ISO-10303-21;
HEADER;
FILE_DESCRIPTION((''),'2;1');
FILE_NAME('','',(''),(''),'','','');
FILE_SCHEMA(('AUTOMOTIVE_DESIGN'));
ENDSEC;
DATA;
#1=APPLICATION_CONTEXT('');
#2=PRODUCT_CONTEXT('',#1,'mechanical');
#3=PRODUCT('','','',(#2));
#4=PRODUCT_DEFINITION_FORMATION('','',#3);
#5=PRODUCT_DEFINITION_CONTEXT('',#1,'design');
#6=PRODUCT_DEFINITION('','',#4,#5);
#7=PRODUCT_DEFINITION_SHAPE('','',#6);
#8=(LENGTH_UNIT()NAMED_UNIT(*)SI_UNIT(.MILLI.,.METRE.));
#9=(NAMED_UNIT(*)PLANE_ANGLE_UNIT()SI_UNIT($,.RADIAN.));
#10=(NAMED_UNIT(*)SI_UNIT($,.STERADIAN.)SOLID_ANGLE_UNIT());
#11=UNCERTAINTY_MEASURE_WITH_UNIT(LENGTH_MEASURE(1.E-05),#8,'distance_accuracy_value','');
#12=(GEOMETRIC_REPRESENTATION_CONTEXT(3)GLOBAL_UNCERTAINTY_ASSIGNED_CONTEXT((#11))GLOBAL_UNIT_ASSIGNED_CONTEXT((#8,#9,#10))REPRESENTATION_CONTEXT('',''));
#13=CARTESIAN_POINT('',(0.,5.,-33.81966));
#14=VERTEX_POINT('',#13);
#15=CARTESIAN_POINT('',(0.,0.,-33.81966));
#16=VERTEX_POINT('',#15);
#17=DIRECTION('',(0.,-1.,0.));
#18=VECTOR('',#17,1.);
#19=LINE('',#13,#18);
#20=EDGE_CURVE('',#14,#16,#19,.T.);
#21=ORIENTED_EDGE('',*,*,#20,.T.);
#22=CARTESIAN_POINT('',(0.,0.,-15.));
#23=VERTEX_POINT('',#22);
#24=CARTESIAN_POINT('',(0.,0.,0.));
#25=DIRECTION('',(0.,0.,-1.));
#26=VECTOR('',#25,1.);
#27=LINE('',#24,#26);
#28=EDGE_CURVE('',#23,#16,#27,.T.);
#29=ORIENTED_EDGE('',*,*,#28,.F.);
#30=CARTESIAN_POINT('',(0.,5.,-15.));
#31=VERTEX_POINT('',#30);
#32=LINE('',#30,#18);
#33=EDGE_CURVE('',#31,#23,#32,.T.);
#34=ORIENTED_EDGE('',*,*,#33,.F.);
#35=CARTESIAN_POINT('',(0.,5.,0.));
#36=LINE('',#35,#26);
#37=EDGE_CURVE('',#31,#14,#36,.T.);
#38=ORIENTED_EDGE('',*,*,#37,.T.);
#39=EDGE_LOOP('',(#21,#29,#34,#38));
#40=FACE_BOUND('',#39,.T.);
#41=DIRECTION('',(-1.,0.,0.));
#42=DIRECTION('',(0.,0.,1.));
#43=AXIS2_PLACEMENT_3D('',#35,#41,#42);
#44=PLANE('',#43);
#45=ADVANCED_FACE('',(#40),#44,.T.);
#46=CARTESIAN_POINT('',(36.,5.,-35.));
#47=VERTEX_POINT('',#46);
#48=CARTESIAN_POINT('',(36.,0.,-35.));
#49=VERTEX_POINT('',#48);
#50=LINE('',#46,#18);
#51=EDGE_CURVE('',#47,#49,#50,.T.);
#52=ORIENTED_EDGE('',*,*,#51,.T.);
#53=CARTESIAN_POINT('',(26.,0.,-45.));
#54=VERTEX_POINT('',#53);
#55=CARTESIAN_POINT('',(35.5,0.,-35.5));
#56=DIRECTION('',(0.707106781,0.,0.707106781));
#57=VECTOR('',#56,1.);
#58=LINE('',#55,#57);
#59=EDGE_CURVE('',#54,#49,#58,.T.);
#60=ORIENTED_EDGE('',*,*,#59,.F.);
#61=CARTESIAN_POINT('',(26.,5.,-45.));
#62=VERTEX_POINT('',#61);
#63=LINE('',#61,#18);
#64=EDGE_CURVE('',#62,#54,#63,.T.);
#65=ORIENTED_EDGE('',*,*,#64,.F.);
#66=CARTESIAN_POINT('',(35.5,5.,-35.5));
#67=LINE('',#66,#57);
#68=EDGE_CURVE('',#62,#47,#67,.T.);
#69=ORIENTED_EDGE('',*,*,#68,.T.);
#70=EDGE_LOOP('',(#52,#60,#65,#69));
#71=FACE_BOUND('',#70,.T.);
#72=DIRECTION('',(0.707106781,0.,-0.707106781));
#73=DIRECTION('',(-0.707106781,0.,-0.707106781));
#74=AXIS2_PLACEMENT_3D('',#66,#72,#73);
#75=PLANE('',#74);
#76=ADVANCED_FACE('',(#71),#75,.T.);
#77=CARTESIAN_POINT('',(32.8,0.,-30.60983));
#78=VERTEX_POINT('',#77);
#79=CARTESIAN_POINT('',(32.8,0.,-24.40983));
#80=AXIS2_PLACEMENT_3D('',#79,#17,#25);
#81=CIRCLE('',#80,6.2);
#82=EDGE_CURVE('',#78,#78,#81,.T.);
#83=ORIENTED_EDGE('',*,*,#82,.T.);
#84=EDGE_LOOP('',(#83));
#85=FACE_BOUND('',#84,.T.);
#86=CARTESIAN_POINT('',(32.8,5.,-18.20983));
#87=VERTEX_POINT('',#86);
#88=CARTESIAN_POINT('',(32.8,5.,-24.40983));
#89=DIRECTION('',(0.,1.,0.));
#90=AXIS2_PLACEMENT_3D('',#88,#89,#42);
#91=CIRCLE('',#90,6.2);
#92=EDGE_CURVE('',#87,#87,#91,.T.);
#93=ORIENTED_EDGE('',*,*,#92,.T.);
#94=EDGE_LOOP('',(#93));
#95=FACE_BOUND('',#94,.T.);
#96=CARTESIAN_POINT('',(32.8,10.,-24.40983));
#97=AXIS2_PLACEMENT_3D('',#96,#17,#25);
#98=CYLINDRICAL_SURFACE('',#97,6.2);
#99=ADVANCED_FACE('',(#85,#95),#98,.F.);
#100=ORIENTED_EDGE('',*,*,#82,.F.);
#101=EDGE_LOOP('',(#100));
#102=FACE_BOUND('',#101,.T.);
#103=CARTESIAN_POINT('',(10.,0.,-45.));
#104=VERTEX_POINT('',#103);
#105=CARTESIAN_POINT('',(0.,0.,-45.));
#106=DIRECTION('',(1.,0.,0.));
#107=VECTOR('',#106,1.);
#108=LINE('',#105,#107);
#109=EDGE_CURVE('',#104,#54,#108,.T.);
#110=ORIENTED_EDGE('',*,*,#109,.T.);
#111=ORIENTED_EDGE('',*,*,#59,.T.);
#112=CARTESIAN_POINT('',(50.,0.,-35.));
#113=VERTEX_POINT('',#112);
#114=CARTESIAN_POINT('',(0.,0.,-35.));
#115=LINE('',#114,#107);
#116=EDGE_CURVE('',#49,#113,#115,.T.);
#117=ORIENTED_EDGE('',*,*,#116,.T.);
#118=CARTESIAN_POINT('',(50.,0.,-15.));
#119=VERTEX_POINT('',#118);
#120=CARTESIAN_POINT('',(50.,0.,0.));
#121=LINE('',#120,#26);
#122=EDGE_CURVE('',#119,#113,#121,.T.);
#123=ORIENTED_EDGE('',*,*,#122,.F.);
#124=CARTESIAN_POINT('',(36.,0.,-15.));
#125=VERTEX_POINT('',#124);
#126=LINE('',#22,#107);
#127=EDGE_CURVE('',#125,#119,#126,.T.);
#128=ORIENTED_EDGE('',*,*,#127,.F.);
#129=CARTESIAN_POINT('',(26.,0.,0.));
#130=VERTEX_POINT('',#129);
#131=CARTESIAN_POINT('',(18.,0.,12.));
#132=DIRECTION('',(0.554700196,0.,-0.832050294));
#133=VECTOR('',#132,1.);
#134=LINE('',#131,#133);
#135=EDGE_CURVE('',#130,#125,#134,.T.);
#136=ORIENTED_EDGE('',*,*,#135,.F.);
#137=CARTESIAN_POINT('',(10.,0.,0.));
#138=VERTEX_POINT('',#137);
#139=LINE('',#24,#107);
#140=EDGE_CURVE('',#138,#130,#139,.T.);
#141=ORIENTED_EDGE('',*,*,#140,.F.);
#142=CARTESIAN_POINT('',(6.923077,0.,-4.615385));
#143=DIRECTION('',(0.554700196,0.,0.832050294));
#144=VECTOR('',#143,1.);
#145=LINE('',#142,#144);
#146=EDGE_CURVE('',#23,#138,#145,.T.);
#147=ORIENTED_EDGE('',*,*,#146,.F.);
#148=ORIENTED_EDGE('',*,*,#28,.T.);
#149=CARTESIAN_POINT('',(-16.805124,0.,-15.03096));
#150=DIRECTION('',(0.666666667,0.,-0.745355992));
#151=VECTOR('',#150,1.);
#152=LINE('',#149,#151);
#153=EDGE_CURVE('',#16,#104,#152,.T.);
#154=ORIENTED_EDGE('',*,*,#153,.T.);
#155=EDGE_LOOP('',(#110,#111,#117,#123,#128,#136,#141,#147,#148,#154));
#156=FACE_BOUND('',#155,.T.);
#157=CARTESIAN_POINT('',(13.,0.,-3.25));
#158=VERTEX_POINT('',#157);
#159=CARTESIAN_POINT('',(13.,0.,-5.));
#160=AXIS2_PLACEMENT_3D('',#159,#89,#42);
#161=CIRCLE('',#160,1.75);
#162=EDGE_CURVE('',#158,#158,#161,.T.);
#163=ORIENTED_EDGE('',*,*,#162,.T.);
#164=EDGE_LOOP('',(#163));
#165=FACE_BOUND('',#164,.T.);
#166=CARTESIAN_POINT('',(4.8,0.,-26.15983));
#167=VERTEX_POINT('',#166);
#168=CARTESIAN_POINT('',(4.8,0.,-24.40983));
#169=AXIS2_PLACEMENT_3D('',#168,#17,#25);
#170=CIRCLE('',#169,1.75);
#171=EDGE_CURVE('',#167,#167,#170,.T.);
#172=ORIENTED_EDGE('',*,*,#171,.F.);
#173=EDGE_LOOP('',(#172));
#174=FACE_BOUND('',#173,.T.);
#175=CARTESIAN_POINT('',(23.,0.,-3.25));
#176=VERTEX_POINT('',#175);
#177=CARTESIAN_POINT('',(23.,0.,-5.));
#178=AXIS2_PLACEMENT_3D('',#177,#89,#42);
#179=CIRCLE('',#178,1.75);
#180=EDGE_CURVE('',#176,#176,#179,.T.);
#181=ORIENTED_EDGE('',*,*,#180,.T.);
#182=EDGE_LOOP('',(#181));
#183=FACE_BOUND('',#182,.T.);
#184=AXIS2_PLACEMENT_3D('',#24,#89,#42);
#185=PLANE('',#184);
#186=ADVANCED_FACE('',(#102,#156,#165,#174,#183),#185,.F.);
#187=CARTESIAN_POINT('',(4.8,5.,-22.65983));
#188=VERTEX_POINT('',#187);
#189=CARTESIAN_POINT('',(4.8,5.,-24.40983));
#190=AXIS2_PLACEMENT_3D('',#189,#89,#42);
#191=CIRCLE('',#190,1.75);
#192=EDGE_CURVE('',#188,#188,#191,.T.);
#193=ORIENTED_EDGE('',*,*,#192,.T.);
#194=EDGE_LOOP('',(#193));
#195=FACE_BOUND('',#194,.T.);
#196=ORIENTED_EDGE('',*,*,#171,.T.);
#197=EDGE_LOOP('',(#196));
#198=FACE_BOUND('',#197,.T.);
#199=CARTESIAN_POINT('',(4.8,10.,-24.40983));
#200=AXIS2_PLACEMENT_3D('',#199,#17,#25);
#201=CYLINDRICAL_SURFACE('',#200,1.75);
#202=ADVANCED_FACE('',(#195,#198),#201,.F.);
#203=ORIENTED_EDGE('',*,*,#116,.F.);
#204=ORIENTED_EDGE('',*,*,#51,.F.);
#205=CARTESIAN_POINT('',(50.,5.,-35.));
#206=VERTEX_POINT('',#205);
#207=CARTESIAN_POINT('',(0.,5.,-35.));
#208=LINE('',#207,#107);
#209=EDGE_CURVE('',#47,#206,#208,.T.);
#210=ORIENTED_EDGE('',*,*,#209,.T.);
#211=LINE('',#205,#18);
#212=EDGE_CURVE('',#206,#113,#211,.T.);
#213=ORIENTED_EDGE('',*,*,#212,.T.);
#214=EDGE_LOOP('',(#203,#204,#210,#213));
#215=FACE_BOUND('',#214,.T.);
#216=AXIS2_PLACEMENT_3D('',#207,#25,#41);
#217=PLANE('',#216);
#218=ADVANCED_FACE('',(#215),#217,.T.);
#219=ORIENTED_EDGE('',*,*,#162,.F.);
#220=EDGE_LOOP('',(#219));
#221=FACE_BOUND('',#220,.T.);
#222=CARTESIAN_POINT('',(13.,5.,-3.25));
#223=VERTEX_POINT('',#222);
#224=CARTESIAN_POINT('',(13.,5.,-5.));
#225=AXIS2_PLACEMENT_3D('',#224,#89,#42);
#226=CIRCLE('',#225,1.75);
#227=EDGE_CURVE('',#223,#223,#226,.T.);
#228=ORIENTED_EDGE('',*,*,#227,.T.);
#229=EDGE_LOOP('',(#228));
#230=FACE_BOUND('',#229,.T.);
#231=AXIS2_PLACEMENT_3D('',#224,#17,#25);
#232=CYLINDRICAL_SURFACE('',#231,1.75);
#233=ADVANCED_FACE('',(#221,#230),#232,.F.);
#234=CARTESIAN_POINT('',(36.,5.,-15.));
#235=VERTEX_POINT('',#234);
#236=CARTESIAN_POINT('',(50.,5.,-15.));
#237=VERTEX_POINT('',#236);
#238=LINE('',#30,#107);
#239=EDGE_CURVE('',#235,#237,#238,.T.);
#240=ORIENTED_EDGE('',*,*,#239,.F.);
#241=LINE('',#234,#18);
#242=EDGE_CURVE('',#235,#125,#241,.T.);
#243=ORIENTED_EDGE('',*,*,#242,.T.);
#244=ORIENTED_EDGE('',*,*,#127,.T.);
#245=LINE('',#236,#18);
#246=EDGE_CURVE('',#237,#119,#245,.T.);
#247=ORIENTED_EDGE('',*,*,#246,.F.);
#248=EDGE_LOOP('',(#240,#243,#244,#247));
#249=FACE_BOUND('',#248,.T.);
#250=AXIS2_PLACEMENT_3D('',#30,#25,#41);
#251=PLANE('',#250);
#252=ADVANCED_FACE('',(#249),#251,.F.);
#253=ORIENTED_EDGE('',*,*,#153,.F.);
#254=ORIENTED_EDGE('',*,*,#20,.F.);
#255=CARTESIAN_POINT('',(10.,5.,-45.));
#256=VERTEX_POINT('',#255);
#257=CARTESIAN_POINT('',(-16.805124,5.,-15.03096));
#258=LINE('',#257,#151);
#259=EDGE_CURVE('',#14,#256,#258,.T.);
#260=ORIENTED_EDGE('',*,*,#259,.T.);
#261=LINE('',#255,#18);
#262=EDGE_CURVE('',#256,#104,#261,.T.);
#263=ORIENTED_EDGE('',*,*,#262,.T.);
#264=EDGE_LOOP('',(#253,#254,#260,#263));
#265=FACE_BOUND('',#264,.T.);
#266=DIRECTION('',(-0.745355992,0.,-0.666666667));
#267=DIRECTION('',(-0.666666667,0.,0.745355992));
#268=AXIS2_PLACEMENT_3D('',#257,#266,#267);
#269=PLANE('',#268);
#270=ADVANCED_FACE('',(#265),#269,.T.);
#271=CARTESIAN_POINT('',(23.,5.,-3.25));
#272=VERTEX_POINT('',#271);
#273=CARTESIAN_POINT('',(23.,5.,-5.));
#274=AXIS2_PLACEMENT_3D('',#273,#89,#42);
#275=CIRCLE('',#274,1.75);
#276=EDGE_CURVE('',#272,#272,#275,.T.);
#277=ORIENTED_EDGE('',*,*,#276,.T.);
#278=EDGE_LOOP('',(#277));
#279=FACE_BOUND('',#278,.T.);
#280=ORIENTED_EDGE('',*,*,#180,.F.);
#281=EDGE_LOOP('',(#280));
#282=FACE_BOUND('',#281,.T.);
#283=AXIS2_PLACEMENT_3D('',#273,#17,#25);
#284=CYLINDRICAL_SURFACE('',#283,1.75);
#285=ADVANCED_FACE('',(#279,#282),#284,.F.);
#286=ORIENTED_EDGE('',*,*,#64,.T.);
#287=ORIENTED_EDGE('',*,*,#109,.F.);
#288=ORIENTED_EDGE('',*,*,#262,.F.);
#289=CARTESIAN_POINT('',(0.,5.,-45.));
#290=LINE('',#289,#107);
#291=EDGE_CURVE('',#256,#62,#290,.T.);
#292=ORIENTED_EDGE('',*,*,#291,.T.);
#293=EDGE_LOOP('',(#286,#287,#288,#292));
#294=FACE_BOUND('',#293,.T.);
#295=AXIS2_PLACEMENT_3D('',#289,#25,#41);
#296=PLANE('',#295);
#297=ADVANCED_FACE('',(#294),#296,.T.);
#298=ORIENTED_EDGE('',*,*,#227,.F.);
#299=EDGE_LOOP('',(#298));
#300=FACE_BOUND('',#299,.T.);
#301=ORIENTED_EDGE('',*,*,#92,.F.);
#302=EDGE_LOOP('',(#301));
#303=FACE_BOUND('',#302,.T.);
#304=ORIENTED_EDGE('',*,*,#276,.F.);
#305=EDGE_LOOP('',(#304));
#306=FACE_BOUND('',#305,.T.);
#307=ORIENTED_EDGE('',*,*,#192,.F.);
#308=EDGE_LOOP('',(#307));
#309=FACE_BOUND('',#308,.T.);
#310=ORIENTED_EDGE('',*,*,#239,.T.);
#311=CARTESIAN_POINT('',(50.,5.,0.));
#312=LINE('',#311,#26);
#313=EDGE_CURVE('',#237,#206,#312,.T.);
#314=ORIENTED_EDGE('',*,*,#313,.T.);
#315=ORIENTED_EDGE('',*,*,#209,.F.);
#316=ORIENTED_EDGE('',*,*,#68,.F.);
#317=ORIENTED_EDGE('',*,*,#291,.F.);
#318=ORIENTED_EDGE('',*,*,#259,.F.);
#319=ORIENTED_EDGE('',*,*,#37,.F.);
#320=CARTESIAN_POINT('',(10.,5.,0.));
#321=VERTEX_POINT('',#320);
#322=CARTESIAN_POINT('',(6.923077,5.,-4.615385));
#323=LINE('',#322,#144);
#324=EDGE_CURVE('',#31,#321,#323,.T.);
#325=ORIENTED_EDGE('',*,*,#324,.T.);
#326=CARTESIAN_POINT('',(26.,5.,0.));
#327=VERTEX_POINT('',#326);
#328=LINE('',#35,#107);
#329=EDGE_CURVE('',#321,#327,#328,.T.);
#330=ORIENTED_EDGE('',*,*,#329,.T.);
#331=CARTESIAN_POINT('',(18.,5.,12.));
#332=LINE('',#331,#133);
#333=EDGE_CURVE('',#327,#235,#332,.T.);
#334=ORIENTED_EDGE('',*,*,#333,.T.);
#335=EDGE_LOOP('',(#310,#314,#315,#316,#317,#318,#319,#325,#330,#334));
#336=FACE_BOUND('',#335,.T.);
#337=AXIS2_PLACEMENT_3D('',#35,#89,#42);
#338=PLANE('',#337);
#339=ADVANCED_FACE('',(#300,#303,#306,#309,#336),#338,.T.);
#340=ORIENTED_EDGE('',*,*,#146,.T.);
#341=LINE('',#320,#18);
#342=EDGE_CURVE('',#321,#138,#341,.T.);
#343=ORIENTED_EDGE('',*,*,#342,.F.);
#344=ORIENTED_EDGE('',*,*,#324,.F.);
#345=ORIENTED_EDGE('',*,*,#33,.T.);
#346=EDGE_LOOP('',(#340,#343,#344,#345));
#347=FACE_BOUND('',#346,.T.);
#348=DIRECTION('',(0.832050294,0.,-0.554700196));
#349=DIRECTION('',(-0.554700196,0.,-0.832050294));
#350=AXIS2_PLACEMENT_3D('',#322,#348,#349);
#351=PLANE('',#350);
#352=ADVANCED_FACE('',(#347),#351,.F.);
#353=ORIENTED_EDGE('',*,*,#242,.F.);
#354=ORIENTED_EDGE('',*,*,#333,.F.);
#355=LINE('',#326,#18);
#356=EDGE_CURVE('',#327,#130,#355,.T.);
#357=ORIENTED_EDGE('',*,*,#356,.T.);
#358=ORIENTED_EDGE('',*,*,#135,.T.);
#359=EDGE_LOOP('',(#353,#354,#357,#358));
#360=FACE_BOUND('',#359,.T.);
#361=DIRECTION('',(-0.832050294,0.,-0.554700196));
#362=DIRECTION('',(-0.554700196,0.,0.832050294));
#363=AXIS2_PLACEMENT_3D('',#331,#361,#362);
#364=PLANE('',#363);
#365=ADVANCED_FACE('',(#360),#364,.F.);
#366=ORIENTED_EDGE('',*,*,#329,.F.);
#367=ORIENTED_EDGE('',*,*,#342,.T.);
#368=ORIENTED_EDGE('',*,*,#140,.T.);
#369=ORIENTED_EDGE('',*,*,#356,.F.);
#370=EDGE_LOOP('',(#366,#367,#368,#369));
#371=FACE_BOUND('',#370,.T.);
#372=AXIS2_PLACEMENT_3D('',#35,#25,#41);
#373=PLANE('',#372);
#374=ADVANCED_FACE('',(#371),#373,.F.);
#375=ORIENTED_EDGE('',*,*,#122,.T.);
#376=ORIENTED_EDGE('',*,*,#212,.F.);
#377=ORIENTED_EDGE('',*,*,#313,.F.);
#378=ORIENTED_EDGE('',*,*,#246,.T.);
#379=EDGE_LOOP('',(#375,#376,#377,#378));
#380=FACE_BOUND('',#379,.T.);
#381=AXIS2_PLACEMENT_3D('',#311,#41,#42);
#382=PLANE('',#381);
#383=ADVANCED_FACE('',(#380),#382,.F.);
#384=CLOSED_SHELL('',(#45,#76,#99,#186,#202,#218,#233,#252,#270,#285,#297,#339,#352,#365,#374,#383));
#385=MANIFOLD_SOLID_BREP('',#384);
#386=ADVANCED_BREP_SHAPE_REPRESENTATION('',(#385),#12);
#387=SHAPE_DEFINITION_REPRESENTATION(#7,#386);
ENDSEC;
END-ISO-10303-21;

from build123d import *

# Parameters (mm, degrees)
SKETCH1_R           = 1.75
BOSS_EXTRUDE1_DEPTH = 5
SKETCH2_R           = 1.75
SKETCH2_R_2         = 6.2
CUT_EXTRUDE1_DEPTH  = 10


with BuildPart() as part:
    # Sketch1 → Boss-Extrude1 (new body)
    # profile 1 of 4: a face of its own
    with BuildSketch(Plane(origin=(0, 0, 0), x_dir=(1, 0, 0), z_dir=(0, 1, 0))):
        Polygon((50, 25), (0, 25), (0, 15), (10, 0), (26, 0), (36, 15), (50, 15), align=None)
        with Locations(Location((13, 5, 0), (0, 0, 270))):
            Circle(SKETCH1_R, mode=Mode.SUBTRACT)
        with Locations(Location((23, 5, 0), (0, 0, 270))):
            Circle(SKETCH1_R, mode=Mode.SUBTRACT)
    # profile 2 of 4: a face of its own
    with BuildSketch(Plane(origin=(0, 0, 0), x_dir=(1, 0, 0), z_dir=(0, 1, 0))):
        Polygon((10, 45), (0, 33.819660113), (0, 25), (50, 25), (50, 35), (36, 35), (26, 45), align=None)
    # profile 3 of 4: a face of its own
    with BuildSketch(Plane(origin=(0, 0, 0), x_dir=(1, 0, 0), z_dir=(0, 1, 0))):
        Polygon((10, 45), (0, 33.819660113), (0, 25), (50, 25), (50, 35), (36, 35), (26, 45), align=None)
    # profile 4 of 4: a face of its own
    with BuildSketch(Plane(origin=(0, 0, 0), x_dir=(1, 0, 0), z_dir=(0, 1, 0))):
        Polygon((10, 45), (0, 33.819660113), (0, 25), (50, 25), (50, 35), (36, 35), (26, 45), align=None)
    extrude(amount=BOSS_EXTRUDE1_DEPTH)

    # Sketch2 → Cut-Extrude1 (cut)
    with BuildSketch(Plane(origin=(0, 0, 0), x_dir=(-1, 0, 0), z_dir=(0, -1, 0))):
        with Locations(Location((-4.8, 24.409830056, 0), (0, 0, 90))):
            Circle(SKETCH2_R)
        with Locations(Location((-32.8, 24.409830056, 0), (0, 0, 90))):
            Circle(SKETCH2_R_2)
    extrude(amount=-CUT_EXTRUDE1_DEPTH, mode=Mode.SUBTRACT)


solid = part.part
